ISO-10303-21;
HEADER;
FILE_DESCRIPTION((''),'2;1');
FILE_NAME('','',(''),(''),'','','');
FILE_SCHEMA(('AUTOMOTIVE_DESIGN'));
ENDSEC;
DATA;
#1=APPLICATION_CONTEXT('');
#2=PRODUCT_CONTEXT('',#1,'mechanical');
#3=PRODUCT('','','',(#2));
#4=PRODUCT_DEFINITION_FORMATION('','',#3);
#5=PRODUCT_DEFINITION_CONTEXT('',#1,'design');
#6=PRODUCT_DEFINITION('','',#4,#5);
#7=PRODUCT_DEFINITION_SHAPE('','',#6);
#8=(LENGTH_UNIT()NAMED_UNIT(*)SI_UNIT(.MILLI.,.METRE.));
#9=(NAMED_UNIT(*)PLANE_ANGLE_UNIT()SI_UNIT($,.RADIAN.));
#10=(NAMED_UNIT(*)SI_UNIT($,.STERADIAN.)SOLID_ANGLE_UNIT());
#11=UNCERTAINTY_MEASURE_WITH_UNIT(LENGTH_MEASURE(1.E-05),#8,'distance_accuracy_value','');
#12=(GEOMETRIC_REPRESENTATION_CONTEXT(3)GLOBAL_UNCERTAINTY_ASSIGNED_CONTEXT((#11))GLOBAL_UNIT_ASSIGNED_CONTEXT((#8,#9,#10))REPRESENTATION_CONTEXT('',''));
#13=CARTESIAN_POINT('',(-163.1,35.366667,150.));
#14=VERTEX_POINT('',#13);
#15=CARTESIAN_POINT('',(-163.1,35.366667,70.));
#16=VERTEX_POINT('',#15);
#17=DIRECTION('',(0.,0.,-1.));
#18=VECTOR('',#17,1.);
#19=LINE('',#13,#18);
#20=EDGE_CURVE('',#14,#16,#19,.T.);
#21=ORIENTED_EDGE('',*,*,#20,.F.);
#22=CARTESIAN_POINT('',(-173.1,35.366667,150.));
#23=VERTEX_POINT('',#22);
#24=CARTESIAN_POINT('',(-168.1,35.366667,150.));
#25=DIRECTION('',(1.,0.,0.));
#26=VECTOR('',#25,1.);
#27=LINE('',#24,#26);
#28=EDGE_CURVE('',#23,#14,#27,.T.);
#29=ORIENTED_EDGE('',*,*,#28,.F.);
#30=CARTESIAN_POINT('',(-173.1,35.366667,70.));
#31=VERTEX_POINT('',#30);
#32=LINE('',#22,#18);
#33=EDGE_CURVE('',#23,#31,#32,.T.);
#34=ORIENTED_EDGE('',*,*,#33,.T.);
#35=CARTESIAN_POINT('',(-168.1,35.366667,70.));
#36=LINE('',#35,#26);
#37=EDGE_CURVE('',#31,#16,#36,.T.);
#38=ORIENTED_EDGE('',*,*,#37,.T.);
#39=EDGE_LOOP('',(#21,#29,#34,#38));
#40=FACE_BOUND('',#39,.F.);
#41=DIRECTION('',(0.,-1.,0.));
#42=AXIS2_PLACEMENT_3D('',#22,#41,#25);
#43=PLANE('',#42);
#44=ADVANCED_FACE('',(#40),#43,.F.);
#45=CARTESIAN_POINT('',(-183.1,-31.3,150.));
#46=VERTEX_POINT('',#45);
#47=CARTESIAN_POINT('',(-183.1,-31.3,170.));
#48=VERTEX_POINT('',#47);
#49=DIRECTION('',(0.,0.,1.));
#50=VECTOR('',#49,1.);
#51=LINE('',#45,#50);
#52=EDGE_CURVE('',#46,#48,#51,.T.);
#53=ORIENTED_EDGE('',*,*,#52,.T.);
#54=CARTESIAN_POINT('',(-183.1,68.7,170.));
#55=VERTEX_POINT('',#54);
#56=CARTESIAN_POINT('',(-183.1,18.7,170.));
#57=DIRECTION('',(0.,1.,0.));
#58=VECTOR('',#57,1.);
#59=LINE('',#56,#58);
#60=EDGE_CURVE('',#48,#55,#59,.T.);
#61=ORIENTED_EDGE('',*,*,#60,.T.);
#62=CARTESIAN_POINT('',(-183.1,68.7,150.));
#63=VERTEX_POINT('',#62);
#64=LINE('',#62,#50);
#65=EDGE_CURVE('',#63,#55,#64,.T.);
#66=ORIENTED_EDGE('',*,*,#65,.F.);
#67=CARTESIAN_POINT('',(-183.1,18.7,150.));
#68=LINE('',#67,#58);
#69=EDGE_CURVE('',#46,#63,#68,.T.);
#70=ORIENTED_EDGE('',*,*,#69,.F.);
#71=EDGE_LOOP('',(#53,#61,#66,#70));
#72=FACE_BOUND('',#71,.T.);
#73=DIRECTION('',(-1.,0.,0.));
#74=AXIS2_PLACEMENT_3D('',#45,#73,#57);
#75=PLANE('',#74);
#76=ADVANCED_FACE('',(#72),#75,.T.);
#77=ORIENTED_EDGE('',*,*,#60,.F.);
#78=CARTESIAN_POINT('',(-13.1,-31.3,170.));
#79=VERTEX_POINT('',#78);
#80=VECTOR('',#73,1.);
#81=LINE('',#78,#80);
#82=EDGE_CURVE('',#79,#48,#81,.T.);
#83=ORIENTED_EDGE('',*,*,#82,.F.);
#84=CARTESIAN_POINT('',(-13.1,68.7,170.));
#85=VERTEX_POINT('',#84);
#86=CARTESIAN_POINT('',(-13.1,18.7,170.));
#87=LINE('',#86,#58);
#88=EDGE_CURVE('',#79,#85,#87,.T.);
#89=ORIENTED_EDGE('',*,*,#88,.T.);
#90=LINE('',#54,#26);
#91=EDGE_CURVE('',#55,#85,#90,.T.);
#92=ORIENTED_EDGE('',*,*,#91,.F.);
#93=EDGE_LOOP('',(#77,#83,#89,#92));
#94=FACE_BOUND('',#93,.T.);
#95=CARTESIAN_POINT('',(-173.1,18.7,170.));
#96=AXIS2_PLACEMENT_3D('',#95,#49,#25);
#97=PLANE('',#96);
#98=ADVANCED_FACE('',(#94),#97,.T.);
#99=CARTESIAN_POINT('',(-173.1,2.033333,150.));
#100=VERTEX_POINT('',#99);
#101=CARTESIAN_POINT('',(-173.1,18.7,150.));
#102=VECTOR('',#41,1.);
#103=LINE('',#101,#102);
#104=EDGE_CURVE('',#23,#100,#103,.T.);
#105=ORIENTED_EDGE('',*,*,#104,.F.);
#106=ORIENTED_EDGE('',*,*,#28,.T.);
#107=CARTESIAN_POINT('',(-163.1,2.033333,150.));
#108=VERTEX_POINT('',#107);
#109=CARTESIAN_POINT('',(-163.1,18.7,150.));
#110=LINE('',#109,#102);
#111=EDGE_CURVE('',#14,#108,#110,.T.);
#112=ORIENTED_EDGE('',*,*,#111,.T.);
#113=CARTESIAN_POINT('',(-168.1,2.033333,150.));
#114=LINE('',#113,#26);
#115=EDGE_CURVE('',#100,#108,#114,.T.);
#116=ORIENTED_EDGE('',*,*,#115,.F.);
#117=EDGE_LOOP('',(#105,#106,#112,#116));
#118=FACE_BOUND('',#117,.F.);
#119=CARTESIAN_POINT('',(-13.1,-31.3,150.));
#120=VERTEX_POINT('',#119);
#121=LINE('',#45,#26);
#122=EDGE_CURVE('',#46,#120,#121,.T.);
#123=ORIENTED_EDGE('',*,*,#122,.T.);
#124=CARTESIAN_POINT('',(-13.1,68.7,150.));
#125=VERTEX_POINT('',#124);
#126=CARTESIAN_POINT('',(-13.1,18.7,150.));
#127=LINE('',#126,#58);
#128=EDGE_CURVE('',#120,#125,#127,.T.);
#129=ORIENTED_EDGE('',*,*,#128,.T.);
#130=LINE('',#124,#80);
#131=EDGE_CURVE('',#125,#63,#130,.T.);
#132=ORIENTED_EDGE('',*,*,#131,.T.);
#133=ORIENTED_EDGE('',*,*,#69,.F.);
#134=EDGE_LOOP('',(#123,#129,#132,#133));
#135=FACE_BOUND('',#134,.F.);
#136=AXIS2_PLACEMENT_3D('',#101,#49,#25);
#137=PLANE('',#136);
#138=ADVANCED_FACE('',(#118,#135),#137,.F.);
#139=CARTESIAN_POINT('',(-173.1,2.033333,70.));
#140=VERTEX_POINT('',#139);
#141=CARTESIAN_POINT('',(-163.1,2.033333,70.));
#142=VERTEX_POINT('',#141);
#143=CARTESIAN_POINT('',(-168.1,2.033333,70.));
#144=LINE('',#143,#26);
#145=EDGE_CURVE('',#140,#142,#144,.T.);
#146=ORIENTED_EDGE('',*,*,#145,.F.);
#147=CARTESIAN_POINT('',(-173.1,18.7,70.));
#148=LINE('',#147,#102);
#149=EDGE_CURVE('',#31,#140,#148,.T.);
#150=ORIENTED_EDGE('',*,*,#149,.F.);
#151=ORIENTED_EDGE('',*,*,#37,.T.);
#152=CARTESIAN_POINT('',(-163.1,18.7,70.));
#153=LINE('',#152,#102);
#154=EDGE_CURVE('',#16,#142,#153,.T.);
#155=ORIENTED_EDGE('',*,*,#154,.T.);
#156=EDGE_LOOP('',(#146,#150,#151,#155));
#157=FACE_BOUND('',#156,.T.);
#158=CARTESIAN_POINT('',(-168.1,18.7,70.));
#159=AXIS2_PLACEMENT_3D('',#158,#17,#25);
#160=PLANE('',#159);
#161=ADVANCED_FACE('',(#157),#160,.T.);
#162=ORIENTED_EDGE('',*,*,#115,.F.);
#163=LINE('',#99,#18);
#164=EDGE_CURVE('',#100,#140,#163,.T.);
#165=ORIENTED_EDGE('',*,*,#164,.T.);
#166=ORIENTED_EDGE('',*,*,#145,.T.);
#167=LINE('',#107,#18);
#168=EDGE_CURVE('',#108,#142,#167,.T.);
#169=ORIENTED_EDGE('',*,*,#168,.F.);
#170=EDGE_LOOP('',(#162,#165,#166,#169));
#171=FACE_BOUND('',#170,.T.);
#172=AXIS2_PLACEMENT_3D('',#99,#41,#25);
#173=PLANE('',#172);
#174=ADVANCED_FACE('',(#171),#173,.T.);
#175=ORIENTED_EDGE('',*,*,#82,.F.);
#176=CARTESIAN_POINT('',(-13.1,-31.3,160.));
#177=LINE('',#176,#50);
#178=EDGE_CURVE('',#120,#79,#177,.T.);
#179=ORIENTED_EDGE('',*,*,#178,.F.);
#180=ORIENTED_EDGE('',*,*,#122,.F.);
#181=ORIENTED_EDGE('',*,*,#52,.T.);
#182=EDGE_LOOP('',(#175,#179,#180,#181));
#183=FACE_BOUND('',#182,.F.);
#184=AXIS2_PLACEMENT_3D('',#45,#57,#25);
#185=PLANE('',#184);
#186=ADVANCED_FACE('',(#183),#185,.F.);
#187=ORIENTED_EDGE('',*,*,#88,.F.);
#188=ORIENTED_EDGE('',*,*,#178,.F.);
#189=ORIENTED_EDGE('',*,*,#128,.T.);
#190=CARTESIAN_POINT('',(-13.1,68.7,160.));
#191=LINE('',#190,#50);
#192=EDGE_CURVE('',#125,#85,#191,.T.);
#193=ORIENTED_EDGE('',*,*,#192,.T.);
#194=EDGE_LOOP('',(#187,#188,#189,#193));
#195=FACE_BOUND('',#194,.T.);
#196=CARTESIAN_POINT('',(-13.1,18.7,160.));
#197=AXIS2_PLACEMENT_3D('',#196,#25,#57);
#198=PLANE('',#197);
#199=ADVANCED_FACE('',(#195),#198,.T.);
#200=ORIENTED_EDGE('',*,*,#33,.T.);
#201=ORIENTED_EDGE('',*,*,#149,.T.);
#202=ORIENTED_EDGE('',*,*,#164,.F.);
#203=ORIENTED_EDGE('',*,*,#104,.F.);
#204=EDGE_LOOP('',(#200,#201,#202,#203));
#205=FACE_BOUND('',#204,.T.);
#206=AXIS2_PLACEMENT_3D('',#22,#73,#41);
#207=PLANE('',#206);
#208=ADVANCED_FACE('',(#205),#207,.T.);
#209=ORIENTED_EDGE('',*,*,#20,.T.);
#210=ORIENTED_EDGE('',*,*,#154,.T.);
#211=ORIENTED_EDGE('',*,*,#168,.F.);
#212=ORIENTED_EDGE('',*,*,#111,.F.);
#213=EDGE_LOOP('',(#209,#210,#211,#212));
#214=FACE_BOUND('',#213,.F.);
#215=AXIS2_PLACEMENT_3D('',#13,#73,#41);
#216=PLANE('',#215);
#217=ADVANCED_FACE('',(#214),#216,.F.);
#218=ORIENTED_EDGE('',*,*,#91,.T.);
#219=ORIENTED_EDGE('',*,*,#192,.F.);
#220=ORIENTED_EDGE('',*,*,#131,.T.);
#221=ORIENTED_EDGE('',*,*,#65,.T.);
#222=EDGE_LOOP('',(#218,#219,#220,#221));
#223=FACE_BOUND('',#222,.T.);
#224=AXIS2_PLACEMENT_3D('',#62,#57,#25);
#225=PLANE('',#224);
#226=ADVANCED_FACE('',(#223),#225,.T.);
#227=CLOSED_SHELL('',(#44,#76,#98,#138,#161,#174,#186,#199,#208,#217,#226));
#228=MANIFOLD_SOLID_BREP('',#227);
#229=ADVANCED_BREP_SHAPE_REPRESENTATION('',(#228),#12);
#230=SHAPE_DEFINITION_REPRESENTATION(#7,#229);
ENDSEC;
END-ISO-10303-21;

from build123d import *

# Parameters (mm, degrees)
SKETCH018_W      = 100
SKETCH018_H      = 20
EXTRUDE018_DEPTH = 150
SKETCH017_W      = 20
SKETCH017_H      = 100
EXTRUDE017_DEPTH = 20
SKETCH019_W      = 10
SKETCH019_H      = 33.333334
EXTRUDE019_DEPTH = 80


with BuildPart() as extrude018:
    # Sketch018 (on Face2 of Extrude017) → Extrude018 (new body)
    with BuildSketch(Plane.YZ.offset(-163.1)):
        with Locations((18.7, 160)):
            Rectangle(SKETCH018_W, SKETCH018_H)
    extrude(amount=EXTRUDE018_DEPTH)


with BuildPart() as extrude017:
    # Sketch017 (on Face4 of Cut015) → Extrude017 (new body)
    with BuildSketch(Plane.XY.offset(150)):
        with Locations((-173.1, 18.7)):
            Rectangle(SKETCH017_W, SKETCH017_H)
    extrude(amount=EXTRUDE017_DEPTH)


with BuildPart() as fusion012:
    # Sketch019 (on Face5 of Extrude017) → Extrude019 (new body)
    with BuildSketch(Plane(origin=(0, 0, 150), x_dir=(1, 0, 0), z_dir=(0, 0, -1))):
        with Locations((-168.1, -18.7)):
            Rectangle(SKETCH019_W, SKETCH019_H)
    extrude(amount=EXTRUDE019_DEPTH)

    # Fusion012: union Extrude018, Extrude017
    add(extrude018.part)
    add(extrude017.part)


solid = fusion012.part
